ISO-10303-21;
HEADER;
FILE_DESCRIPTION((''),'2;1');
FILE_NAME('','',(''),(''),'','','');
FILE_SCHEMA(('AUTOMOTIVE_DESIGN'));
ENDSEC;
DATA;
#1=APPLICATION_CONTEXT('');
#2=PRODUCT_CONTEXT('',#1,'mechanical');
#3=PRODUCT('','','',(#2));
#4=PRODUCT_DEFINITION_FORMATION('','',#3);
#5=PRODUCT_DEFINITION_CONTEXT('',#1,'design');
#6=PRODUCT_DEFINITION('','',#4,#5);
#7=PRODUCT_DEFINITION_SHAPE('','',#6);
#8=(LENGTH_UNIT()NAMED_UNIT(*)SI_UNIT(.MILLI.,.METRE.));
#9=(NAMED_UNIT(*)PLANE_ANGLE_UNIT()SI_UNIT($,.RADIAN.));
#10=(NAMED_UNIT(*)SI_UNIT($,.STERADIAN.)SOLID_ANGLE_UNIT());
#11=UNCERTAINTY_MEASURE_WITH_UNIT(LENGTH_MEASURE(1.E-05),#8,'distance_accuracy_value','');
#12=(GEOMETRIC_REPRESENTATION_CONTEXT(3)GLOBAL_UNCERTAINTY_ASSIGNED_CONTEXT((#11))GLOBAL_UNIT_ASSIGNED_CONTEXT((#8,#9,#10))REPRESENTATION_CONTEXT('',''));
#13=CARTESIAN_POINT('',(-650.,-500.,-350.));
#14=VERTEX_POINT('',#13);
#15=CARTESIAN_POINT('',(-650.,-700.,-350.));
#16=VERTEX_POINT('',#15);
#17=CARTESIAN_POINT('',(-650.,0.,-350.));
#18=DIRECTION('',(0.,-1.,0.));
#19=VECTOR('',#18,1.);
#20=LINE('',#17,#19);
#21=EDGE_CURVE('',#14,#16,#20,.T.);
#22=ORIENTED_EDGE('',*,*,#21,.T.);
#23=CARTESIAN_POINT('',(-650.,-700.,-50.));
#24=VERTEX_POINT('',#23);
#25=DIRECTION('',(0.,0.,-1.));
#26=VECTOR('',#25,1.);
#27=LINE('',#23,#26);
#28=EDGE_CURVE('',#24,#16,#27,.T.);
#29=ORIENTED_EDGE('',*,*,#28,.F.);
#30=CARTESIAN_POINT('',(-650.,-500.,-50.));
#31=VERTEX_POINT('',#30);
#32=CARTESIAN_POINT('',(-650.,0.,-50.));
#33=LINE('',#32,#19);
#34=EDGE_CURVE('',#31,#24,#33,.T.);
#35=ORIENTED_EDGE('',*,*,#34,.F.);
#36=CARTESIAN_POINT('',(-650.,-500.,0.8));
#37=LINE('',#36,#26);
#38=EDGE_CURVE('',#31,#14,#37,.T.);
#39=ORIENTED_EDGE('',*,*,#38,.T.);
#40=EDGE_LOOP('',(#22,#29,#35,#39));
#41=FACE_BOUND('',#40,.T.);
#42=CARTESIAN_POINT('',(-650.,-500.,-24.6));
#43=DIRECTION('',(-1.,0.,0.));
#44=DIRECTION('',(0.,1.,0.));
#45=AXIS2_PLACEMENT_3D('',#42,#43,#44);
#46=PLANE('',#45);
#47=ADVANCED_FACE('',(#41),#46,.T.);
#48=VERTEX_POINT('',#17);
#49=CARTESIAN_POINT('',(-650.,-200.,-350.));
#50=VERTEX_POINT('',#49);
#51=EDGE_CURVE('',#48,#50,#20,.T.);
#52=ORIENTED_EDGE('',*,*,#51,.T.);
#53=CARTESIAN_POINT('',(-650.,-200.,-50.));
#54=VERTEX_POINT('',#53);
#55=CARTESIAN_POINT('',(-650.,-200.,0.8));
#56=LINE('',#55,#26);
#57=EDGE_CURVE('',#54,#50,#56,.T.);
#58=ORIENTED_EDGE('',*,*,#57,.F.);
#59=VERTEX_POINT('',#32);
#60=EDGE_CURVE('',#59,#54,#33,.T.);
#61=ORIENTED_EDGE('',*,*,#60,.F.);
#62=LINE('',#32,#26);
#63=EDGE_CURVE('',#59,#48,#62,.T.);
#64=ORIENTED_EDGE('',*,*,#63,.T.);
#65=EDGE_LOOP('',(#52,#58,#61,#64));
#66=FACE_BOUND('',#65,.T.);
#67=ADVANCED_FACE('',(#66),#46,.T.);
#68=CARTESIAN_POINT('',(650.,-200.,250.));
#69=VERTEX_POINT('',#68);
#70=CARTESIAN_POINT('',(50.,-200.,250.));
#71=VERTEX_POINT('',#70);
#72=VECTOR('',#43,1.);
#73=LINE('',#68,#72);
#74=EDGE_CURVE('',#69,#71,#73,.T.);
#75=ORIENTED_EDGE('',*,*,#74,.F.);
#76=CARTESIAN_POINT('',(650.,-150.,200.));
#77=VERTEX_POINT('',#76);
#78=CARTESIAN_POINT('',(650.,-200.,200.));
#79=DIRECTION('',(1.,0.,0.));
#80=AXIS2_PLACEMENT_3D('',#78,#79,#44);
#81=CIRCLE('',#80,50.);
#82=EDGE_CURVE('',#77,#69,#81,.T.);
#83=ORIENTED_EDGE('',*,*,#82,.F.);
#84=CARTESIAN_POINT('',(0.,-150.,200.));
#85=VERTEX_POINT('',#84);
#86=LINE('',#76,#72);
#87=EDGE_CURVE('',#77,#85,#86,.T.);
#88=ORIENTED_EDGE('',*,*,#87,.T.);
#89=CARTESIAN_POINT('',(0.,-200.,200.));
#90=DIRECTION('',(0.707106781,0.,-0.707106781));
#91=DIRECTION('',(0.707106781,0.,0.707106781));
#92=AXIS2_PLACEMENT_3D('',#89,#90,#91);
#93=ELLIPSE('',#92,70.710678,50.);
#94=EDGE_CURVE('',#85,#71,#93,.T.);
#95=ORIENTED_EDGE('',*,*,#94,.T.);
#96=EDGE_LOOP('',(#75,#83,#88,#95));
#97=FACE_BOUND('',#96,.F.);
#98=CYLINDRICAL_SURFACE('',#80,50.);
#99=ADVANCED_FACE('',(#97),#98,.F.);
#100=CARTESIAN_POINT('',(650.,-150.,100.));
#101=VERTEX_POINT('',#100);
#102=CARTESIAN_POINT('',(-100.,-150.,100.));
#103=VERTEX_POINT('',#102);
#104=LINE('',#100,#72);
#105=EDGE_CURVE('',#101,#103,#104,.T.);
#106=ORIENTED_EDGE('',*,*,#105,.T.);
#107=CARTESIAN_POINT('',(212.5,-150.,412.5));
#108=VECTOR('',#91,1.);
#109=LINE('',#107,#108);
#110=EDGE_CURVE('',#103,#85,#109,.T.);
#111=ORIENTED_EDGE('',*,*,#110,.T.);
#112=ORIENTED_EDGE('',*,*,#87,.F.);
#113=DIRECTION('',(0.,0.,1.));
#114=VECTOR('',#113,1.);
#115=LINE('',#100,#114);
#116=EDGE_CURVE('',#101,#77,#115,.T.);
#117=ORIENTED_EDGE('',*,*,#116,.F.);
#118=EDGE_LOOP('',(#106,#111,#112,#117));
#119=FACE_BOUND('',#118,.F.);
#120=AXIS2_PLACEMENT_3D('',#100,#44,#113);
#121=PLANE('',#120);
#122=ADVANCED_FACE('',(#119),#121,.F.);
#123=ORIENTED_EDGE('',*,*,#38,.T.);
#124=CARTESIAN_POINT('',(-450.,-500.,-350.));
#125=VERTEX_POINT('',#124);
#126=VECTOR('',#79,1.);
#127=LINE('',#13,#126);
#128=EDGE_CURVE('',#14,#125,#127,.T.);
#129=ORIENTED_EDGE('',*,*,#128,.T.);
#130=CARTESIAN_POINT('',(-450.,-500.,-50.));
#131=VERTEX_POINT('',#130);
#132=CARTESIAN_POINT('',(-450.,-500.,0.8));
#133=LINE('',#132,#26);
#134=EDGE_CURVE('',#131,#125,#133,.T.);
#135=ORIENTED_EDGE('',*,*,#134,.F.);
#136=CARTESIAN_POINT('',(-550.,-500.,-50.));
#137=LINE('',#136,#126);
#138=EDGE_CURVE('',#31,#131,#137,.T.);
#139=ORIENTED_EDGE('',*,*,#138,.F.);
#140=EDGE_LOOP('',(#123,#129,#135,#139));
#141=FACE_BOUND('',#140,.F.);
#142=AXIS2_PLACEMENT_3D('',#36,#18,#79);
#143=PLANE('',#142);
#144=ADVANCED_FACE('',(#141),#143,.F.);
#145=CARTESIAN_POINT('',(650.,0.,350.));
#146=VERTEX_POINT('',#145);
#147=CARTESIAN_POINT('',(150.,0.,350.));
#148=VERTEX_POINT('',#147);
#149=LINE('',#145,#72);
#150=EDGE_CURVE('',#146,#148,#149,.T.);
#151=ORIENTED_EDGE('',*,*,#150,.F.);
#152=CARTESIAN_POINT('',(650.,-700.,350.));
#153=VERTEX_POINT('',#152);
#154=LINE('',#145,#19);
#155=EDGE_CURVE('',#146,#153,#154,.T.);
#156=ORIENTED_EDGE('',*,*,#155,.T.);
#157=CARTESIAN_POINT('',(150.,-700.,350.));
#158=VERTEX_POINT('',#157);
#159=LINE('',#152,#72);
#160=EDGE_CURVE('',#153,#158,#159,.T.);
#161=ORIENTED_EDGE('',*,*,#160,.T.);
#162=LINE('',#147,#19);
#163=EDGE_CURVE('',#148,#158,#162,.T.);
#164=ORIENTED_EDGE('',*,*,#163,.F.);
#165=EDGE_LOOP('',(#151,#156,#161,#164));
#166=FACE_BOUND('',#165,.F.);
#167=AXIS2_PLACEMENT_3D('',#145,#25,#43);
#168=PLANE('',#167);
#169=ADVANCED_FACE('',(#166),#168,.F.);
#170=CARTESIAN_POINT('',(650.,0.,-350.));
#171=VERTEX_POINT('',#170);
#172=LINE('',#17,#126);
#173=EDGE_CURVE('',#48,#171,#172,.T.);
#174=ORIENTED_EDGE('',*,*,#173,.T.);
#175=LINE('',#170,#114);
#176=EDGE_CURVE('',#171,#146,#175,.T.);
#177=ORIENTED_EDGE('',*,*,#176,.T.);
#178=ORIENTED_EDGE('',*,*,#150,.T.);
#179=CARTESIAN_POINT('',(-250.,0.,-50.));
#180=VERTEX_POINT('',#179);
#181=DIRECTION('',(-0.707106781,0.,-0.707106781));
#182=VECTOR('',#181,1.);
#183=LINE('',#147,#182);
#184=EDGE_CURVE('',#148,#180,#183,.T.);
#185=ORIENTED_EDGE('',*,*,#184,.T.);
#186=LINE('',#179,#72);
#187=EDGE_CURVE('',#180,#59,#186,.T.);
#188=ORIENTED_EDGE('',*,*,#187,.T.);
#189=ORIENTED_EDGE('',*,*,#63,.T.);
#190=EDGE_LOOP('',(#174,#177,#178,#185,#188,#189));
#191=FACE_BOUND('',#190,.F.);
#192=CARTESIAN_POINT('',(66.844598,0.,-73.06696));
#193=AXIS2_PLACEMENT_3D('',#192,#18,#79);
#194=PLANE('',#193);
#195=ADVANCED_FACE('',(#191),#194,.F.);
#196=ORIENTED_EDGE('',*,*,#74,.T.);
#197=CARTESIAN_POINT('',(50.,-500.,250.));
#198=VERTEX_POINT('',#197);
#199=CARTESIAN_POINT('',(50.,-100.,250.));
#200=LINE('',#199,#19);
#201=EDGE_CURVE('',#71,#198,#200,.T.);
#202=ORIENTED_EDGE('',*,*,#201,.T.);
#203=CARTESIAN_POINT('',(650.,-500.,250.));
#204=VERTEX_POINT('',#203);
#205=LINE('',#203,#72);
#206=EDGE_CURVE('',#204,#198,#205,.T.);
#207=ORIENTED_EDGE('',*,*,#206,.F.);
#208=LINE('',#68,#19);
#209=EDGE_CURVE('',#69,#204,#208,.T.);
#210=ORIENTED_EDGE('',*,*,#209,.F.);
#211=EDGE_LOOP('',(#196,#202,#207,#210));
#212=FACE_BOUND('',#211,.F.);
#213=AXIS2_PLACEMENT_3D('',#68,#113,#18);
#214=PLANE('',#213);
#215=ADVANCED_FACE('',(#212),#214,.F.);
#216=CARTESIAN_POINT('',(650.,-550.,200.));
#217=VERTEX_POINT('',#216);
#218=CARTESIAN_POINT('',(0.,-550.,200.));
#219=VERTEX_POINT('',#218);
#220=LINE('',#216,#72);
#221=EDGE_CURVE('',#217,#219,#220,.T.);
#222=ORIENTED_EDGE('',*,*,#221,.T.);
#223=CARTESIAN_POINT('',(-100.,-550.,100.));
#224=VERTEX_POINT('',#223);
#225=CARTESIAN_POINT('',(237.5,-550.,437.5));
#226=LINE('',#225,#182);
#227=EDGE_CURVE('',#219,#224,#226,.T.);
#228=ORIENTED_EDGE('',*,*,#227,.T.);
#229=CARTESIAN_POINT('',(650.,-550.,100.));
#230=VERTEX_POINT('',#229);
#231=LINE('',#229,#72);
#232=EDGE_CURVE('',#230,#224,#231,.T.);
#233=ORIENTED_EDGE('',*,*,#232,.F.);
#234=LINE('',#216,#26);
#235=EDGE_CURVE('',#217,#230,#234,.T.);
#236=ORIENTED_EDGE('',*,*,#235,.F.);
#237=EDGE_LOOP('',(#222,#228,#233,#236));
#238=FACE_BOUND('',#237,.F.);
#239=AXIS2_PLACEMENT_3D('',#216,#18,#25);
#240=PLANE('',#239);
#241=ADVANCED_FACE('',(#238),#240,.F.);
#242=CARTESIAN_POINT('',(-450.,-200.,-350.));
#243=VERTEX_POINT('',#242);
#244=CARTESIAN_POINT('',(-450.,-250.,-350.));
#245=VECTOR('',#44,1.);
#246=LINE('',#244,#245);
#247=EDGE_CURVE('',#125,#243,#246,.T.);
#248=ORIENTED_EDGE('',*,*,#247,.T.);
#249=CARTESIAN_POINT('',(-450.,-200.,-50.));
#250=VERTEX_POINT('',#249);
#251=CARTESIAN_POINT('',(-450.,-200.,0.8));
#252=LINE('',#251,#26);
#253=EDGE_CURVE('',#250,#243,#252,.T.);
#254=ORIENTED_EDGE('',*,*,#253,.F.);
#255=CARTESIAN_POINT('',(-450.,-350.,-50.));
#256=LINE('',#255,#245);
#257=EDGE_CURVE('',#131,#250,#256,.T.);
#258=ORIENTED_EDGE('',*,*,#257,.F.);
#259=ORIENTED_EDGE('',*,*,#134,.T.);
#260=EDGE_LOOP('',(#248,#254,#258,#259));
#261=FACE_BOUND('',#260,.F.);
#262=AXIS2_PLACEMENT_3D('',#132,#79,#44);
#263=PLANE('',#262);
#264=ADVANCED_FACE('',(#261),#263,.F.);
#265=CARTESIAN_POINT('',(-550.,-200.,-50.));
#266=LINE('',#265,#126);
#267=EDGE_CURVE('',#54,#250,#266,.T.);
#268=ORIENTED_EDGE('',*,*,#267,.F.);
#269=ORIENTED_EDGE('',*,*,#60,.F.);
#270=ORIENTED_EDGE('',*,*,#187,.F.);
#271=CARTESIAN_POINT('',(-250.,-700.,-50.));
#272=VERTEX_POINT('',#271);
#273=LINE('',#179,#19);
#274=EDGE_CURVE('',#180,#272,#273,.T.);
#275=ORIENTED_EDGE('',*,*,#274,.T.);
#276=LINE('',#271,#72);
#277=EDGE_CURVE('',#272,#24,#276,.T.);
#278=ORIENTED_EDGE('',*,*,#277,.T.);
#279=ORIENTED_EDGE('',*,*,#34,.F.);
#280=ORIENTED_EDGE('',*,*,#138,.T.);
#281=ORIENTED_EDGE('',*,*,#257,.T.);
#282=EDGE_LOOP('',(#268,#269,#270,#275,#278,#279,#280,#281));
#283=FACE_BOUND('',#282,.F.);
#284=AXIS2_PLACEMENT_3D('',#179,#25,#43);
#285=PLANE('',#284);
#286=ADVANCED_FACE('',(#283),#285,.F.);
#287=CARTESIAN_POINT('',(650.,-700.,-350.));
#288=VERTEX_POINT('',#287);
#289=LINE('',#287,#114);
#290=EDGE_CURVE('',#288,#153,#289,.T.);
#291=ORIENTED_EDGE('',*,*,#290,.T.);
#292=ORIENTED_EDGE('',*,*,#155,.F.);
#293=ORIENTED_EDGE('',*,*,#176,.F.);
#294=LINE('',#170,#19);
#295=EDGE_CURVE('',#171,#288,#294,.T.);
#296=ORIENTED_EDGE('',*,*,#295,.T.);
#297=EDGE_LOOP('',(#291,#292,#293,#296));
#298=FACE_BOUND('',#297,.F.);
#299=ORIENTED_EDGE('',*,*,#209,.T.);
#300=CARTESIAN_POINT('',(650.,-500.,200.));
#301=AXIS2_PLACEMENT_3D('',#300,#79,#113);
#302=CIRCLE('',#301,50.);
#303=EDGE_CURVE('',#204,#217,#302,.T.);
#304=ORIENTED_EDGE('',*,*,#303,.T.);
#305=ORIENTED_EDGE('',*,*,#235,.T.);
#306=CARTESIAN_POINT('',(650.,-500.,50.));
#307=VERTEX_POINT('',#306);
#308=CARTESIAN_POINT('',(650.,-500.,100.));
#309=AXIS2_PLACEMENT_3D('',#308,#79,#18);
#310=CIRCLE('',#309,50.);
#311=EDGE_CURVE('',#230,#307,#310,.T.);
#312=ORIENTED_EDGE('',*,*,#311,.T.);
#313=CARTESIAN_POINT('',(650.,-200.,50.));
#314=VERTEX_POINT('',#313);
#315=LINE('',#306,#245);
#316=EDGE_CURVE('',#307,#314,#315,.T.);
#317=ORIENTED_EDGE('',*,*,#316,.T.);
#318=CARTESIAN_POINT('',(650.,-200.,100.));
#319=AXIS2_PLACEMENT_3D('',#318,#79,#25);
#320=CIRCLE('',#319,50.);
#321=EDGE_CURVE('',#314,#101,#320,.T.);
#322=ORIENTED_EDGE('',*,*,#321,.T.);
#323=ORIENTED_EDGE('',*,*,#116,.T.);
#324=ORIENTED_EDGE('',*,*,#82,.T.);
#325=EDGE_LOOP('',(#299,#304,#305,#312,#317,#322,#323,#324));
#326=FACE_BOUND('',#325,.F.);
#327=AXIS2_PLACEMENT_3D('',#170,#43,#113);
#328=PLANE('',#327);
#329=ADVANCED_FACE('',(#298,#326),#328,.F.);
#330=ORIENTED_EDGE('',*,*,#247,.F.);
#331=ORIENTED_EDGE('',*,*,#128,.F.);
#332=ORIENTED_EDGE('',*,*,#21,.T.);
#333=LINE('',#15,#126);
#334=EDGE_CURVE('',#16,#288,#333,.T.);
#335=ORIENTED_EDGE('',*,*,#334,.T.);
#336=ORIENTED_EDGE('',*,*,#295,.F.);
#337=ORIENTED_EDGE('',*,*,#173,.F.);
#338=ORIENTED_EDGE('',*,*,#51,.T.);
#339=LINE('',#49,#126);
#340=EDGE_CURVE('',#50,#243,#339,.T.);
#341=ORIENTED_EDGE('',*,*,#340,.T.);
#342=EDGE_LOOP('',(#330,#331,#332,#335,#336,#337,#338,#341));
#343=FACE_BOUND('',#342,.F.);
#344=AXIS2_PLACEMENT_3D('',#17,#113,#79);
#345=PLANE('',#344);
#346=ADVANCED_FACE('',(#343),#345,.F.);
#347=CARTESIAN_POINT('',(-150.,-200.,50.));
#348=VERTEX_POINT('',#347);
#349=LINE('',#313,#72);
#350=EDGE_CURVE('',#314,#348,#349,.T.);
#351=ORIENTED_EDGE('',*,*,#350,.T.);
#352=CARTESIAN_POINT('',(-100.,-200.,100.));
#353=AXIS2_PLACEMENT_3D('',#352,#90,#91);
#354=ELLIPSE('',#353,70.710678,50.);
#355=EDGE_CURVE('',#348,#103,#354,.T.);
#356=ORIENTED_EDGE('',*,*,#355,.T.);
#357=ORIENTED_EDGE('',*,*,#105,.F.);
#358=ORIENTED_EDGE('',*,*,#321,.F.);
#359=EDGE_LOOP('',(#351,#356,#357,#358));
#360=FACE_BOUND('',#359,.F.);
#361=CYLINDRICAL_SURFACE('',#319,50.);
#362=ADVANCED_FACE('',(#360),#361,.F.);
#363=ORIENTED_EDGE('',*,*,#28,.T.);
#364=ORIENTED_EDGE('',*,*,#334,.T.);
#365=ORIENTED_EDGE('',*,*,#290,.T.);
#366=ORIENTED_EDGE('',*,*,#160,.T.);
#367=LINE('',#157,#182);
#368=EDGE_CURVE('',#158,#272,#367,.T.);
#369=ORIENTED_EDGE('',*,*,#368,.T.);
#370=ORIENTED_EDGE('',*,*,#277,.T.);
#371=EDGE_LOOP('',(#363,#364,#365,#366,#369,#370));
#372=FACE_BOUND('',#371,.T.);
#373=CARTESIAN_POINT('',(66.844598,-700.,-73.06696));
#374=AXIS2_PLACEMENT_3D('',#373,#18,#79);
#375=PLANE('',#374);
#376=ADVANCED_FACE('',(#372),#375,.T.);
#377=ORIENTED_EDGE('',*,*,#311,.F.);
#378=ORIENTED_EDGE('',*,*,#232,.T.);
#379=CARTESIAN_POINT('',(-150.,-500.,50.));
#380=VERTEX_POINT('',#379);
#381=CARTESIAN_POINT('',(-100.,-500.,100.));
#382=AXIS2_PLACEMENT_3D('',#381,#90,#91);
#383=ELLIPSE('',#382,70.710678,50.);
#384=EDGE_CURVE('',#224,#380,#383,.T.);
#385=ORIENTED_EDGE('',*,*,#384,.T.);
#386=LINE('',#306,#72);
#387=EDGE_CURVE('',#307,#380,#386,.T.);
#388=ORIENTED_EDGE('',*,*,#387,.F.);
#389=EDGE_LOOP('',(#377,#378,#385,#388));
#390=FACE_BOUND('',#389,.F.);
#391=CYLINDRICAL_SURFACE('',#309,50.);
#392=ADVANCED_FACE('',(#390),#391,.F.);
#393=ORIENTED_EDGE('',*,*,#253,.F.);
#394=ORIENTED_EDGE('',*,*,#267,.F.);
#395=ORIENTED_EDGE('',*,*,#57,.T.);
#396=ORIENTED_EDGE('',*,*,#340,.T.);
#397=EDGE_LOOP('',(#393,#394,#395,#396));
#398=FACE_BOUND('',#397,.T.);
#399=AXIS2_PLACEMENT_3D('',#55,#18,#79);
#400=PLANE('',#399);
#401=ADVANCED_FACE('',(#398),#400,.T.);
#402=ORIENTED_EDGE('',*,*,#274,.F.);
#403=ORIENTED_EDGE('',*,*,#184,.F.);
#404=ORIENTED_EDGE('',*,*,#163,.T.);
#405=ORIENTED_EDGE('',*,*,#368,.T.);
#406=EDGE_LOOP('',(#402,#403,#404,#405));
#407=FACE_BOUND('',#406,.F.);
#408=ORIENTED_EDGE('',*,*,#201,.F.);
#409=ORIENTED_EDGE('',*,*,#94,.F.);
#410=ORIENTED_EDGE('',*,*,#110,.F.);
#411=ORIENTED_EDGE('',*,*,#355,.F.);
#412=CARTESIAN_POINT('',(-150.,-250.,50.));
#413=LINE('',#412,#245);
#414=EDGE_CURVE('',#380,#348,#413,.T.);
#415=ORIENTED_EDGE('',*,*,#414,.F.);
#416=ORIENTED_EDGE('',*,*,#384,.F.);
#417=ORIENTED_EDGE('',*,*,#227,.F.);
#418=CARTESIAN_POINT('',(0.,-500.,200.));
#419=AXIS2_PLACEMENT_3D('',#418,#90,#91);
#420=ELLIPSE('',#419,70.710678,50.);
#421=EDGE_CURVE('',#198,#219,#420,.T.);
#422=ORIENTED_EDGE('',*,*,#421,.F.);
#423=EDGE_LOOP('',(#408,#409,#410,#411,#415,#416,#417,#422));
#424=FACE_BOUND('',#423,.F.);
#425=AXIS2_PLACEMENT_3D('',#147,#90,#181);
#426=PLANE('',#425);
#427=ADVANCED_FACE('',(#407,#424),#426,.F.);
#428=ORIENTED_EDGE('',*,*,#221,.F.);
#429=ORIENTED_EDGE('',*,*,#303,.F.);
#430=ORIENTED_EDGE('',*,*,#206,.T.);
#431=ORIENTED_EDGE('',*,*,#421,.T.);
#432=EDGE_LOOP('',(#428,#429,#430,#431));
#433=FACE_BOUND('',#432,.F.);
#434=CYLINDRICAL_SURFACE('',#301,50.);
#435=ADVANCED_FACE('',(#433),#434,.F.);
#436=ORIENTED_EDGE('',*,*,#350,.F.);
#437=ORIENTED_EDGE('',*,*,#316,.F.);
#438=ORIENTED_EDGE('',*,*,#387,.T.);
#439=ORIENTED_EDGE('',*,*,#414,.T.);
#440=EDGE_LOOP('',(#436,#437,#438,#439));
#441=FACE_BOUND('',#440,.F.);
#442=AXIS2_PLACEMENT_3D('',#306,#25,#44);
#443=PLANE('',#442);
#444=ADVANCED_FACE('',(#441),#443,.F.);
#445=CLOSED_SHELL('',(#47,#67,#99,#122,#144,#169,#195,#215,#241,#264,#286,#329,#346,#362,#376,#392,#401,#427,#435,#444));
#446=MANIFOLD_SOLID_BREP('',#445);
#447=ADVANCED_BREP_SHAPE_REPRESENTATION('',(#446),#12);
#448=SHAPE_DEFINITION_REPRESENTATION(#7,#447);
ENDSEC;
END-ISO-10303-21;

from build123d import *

# Parameters (mm, degrees)
F1_DEPTH = 700
F3_DEPTH = 1300.001
F4_W     = 200
F4_H     = 300
F5_DEPTH = 25.4
F6_DEPTH = 25.4
F7_DEPTH = 350.801


with BuildPart() as f1:
    # F0 (on Front) → F1 (new body)
    with BuildSketch(Plane.XZ):
        Polygon((-650, -50), (-650, -350), (650, -350), (650, 350), (150, 350), (-250, -50), align=None)
    extrude(amount=F1_DEPTH)

    # F2 (on face) → F3 (cut, through all)
    with BuildSketch(Plane.YZ.offset(650)):
        with BuildLine():
            Line((-500, 50), (-200, 50))
            ThreePointArc((-200, 50), (-164.6446609407, 64.6446609407), (-150, 100))
            Line((-150, 100), (-150, 200))
            ThreePointArc((-150, 200), (-164.6446609407, 235.3553390593), (-200, 250))
            Line((-200, 250), (-500, 250))
            ThreePointArc((-500, 250), (-535.3553390593, 235.3553390593), (-550, 200))
            Line((-550, 200), (-550, 100))
            ThreePointArc((-550, 100), (-535.3553390593, 64.6446609407), (-500, 50))
        make_face()
    extrude(amount=-F3_DEPTH, mode=Mode.SUBTRACT)

    # F4 (on face) → F5 (join)
    with BuildSketch(Plane.XY.offset(-50)):
        with Locations((-550, -350)):
            Rectangle(F4_W, F4_H)
    extrude(amount=F5_DEPTH)

    # F6 (add): a face of the model
    f6_faces = [f1.faces().sort_by_distance(p)[0] for p in [
        (-550, -350, -24.6),
    ]]
    extrude(f6_faces, amount=F6_DEPTH)

    # F7 (cut, through all): a face of the model
    f7_faces = [f1.faces().sort_by_distance(p)[0] for p in [
        (-550, -350, 0.8),
    ]]
    extrude(f7_faces, amount=-F7_DEPTH, mode=Mode.SUBTRACT)


solid = f1.part
